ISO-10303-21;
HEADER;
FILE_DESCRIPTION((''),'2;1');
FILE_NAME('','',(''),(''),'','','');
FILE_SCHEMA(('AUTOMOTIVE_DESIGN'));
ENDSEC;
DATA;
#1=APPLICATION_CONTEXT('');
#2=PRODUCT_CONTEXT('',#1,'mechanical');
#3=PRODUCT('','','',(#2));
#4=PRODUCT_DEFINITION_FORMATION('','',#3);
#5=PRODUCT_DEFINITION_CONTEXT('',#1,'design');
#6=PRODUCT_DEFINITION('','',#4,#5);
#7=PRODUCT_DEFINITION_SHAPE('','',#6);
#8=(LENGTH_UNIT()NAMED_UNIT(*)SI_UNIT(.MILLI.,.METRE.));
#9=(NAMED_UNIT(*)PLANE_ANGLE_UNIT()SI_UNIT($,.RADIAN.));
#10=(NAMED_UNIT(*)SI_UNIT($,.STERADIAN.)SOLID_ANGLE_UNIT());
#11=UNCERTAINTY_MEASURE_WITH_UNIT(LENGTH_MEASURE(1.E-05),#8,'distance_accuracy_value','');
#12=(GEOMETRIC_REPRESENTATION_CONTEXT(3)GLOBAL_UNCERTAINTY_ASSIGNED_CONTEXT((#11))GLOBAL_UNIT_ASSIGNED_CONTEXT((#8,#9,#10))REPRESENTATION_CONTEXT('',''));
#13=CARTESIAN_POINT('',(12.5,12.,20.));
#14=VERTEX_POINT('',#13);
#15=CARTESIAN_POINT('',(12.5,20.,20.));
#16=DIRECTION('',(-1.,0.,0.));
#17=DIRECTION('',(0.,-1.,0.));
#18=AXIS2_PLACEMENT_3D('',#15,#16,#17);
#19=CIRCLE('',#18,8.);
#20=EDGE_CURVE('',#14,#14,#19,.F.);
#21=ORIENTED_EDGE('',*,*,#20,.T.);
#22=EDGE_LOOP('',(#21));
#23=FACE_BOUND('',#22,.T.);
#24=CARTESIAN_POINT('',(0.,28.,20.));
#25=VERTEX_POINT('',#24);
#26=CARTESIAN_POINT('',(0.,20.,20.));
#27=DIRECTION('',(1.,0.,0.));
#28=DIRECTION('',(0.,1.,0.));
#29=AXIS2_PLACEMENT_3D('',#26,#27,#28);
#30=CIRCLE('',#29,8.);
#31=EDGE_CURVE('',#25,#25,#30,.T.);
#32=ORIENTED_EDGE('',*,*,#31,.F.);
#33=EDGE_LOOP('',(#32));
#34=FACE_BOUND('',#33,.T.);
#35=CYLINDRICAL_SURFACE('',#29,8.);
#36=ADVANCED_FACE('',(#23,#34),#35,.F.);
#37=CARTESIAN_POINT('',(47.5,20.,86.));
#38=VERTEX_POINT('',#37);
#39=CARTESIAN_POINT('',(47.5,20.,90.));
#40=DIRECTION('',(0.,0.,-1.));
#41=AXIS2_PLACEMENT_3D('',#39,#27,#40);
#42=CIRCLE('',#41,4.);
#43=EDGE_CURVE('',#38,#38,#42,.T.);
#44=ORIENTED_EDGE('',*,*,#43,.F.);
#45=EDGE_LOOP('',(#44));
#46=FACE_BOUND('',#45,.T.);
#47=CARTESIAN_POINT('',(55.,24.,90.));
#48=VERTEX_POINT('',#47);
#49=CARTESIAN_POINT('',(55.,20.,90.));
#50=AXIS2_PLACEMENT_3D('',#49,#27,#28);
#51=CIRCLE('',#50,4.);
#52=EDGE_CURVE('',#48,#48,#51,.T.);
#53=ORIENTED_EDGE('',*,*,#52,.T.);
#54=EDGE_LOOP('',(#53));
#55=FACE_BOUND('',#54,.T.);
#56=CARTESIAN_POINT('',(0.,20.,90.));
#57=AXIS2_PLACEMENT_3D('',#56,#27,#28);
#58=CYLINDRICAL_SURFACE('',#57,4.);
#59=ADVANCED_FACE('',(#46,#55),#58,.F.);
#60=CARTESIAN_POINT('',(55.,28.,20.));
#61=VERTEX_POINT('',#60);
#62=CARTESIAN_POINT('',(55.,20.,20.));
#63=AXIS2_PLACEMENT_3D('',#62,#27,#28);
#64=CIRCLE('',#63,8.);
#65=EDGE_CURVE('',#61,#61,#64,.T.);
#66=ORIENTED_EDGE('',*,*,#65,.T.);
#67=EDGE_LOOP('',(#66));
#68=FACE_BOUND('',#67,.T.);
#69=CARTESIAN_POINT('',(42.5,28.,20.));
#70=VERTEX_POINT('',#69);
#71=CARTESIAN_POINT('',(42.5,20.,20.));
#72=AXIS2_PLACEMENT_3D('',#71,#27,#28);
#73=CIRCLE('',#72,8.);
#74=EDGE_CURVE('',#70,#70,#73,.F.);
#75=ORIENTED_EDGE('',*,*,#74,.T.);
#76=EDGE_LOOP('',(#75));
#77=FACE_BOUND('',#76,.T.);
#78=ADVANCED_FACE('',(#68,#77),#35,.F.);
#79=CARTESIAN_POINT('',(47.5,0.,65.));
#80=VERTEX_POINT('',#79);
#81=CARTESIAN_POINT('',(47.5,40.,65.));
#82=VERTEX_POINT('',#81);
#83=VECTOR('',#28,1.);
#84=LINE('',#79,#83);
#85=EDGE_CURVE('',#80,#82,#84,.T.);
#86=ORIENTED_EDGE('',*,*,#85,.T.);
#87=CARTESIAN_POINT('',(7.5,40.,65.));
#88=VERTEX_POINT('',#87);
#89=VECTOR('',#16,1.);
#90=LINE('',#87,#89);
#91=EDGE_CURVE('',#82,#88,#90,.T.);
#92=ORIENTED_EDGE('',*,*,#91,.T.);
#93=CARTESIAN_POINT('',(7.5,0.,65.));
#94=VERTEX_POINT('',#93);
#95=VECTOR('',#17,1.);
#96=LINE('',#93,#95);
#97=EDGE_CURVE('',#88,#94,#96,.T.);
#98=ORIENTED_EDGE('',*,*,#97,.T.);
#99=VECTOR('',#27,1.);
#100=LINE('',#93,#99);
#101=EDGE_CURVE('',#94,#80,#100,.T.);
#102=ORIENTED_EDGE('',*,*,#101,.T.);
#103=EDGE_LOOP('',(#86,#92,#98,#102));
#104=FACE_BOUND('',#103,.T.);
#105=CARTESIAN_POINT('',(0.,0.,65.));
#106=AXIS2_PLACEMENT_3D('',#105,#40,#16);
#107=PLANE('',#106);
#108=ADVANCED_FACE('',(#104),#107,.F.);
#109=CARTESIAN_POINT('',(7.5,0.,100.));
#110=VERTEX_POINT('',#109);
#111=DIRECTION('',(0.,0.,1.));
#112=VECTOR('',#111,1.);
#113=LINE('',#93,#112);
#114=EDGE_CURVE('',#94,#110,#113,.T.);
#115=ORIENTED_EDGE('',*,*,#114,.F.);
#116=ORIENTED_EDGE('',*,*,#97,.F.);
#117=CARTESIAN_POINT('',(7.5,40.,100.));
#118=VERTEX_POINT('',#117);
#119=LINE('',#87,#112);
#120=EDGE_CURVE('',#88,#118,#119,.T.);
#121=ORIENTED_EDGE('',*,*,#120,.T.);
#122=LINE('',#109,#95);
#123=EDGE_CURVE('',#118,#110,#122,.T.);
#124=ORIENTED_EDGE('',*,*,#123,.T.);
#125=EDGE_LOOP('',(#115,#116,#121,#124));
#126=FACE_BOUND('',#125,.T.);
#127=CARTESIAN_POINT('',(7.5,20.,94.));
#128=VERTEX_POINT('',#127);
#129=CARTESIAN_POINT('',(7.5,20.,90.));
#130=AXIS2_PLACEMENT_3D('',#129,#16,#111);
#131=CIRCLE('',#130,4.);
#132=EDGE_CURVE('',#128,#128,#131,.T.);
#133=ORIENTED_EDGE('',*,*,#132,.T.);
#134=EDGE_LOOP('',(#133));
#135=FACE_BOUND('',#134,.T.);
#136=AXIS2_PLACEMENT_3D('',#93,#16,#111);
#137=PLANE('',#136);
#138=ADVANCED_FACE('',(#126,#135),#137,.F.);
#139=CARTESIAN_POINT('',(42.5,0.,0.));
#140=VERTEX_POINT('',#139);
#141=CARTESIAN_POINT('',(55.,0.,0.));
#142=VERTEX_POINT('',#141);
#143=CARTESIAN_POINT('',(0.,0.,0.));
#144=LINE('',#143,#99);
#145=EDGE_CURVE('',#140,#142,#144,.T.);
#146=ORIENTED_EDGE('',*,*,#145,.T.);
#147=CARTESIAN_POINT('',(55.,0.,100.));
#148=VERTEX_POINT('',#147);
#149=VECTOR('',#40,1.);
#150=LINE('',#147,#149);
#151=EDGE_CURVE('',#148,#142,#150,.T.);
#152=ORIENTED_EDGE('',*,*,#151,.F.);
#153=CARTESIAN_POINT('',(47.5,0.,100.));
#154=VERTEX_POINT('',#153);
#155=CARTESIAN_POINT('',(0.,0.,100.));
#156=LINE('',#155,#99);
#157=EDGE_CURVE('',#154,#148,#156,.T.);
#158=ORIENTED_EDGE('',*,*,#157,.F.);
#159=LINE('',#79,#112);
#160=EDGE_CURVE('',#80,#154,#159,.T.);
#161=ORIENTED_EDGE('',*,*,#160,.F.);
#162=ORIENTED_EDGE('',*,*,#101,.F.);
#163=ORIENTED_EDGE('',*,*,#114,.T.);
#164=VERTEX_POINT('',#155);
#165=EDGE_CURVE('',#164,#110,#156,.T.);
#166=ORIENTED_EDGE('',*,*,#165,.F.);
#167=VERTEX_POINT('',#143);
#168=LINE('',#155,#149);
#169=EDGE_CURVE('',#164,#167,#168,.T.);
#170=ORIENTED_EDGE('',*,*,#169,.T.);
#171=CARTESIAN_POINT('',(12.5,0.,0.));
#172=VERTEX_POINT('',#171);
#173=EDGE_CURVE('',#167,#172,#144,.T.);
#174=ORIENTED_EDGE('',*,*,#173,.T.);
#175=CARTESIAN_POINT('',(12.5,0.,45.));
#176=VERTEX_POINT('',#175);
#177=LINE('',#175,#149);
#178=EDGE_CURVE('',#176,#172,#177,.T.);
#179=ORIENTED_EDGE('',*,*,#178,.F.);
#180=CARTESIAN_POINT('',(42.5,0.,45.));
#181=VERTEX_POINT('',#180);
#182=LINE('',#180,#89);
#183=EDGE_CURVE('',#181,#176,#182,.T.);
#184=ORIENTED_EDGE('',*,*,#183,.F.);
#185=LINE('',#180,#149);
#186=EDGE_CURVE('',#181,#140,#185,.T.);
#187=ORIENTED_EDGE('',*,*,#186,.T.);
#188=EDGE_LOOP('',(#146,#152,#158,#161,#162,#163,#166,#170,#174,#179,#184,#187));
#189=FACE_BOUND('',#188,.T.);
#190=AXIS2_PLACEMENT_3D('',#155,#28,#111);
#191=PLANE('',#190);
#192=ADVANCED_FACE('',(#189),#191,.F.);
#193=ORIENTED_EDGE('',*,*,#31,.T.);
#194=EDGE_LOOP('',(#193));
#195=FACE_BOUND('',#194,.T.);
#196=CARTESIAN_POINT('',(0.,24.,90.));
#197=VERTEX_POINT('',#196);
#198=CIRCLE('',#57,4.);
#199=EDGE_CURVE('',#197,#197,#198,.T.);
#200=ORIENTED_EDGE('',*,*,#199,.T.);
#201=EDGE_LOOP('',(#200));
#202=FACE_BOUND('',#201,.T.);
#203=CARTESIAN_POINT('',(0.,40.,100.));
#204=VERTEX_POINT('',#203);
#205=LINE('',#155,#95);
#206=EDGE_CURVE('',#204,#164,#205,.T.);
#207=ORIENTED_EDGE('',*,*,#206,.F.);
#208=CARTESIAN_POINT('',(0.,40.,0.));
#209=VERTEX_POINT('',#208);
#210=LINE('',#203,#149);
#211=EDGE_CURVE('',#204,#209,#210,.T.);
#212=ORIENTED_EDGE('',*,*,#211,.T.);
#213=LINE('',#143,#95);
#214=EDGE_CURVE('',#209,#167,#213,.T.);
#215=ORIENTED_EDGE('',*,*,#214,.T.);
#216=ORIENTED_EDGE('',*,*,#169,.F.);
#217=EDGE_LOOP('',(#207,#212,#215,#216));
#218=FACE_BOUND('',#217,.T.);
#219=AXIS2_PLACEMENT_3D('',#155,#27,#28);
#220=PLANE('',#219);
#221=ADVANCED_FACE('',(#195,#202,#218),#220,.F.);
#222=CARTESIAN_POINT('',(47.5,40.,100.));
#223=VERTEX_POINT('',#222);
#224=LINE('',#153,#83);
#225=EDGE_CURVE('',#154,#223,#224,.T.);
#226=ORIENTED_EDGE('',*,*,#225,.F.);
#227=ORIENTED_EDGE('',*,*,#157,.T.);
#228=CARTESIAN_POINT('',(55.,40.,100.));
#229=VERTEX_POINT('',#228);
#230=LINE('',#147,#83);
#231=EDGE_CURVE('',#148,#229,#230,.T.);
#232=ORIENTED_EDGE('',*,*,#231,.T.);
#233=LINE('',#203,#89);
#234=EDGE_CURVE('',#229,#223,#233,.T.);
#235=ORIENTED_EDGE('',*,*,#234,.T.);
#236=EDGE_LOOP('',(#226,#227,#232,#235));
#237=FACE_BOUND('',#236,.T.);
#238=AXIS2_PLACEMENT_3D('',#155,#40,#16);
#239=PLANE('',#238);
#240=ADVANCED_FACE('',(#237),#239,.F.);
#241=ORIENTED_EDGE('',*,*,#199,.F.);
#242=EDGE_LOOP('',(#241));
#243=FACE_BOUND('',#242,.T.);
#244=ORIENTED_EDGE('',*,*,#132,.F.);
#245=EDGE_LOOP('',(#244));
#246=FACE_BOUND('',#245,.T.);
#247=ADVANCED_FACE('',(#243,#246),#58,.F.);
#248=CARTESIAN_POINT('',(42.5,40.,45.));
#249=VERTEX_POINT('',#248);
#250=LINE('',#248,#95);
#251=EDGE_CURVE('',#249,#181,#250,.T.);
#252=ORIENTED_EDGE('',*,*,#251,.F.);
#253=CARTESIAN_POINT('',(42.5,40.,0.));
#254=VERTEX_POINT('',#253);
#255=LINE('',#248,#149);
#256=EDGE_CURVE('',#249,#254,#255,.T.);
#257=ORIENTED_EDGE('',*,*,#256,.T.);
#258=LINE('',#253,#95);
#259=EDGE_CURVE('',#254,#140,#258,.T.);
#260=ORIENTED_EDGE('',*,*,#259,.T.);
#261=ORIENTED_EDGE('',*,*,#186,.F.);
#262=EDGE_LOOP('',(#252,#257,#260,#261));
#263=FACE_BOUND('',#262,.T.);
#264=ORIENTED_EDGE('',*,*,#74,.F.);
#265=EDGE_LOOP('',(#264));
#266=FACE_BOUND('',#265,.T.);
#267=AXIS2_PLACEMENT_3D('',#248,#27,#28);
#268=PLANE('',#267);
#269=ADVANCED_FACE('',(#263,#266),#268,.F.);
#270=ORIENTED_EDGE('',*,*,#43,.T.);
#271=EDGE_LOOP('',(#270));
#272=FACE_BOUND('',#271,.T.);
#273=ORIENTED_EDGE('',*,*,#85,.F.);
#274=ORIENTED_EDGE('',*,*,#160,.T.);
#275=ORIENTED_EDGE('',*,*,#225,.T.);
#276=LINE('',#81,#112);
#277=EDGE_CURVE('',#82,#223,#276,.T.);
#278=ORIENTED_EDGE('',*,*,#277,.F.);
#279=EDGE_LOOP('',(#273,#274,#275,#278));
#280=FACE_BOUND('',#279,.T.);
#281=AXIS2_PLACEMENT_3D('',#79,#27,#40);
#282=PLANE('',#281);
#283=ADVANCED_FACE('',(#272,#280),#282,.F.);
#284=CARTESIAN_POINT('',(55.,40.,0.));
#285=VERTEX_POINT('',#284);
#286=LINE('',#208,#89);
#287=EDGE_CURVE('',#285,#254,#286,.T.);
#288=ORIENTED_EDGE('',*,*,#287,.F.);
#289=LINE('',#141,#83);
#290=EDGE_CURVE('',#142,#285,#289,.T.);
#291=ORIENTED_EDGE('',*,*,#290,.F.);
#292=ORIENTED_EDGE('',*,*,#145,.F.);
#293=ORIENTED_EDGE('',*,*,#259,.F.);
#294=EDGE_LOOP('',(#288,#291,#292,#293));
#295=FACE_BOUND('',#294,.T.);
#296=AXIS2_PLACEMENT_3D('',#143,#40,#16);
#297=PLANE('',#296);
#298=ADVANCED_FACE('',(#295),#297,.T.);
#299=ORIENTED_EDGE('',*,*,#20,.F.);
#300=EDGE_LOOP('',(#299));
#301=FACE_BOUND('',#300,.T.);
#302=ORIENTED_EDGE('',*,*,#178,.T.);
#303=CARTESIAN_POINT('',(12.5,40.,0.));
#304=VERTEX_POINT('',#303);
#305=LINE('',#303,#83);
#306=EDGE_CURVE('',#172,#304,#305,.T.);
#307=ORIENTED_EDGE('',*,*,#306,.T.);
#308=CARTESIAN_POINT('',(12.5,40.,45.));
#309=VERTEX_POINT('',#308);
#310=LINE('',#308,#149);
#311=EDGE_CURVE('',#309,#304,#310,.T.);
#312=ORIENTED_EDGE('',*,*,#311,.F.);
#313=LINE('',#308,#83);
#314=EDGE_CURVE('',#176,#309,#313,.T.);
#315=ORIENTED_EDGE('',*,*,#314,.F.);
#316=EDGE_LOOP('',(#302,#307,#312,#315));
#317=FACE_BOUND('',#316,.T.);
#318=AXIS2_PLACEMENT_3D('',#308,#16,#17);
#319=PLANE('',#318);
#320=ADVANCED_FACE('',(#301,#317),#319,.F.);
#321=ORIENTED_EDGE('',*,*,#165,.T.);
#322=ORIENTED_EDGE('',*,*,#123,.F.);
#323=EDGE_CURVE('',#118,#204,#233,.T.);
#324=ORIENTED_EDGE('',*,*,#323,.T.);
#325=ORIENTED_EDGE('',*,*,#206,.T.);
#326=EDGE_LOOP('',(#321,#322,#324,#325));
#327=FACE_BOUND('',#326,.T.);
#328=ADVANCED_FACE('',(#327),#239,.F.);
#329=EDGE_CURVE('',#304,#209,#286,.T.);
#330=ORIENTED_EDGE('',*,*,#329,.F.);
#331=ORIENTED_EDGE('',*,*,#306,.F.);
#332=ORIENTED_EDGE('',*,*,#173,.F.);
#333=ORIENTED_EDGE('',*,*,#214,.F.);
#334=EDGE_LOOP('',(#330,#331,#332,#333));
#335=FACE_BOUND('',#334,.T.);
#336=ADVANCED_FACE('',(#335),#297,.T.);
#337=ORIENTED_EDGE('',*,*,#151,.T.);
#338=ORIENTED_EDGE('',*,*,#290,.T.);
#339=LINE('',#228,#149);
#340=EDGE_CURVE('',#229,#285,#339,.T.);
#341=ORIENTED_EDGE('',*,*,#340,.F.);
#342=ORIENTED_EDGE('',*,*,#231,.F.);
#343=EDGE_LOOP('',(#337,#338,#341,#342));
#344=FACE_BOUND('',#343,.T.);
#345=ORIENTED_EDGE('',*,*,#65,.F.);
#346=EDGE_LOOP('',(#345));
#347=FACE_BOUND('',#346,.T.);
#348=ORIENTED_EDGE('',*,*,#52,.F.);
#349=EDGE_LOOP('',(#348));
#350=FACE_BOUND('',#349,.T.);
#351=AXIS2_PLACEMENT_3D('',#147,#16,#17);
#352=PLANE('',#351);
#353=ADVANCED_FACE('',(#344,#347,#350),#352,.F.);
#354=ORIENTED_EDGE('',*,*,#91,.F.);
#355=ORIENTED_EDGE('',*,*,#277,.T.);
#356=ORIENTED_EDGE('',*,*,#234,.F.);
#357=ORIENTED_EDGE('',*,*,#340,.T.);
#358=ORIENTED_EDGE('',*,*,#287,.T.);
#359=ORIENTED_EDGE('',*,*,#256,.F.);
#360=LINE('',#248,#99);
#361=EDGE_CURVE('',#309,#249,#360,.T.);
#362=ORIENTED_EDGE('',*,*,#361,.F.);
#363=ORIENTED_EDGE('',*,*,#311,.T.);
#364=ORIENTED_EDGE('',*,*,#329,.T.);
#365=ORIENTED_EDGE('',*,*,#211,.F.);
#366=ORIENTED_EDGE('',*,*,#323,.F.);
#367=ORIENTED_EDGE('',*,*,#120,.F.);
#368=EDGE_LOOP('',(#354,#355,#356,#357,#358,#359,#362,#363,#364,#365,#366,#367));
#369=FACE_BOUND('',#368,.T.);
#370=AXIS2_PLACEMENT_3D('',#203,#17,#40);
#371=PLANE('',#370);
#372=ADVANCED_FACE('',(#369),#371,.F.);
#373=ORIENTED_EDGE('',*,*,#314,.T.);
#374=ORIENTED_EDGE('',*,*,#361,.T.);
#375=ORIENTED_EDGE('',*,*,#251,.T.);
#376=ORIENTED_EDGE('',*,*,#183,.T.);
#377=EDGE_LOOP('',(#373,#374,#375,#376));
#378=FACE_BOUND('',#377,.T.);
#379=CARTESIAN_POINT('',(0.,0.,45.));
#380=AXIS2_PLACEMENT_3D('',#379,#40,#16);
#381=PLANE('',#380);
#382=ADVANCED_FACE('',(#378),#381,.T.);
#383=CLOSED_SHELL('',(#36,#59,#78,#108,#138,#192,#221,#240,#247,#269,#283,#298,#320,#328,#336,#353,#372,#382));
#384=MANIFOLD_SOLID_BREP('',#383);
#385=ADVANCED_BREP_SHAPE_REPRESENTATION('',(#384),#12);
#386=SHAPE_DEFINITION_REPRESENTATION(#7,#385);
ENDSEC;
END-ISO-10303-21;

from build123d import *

# Parameters (mm, degrees)
SKETCH1_W           = 55
SKETCH1_H           = 40
BOSS_EXTRUDE1_DEPTH = 100
SKETCH2_W           = 40
SKETCH2_H           = 40
CUT_EXTRUDE1_DEPTH  = 35
SKETCH3_R           = 4
SKETCH3_R_2         = 8
CUT_EXTRUDE2_DEPTH  = 121.933866224
SKETCH4_W           = 30
SKETCH4_H           = 40
CUT_EXTRUDE3_DEPTH  = 45


with BuildPart() as part:
    # Sketch1 → Boss-Extrude1 (new body)
    with BuildSketch(Plane.XY):
        with Locations((27.5, 20)):
            Rectangle(SKETCH1_W, SKETCH1_H)
    extrude(amount=BOSS_EXTRUDE1_DEPTH)

    # Sketch2 → Cut-Extrude1 (cut)
    with BuildSketch(Plane.XY.offset(100)):
        with Locations((27.5, 20)):
            Rectangle(SKETCH2_W, SKETCH2_H)
    extrude(amount=-CUT_EXTRUDE1_DEPTH, mode=Mode.SUBTRACT)

    # Sketch3 → Cut-Extrude2 (cut, through all)
    with BuildSketch(Plane(origin=(55, 0, 0), x_dir=(0, 0, -1), z_dir=(1, 0, 0))):
        with Locations(Location((-90, 20, 0), (0, 0, 90))):
            Circle(SKETCH3_R)
        with Locations(Location((-20, 20, 0), (0, 0, 90))):
            Circle(SKETCH3_R_2)
    extrude(amount=-CUT_EXTRUDE2_DEPTH, mode=Mode.SUBTRACT)

    # Sketch4 → Cut-Extrude3 (cut)
    with BuildSketch(Plane(origin=(0, 0, 0), x_dir=(-1, 0, 0), z_dir=(0, 0, -1))):
        with Locations((-27.5, 20)):
            Rectangle(SKETCH4_W, SKETCH4_H)
    extrude(amount=-CUT_EXTRUDE3_DEPTH, mode=Mode.SUBTRACT)


solid = part.part
